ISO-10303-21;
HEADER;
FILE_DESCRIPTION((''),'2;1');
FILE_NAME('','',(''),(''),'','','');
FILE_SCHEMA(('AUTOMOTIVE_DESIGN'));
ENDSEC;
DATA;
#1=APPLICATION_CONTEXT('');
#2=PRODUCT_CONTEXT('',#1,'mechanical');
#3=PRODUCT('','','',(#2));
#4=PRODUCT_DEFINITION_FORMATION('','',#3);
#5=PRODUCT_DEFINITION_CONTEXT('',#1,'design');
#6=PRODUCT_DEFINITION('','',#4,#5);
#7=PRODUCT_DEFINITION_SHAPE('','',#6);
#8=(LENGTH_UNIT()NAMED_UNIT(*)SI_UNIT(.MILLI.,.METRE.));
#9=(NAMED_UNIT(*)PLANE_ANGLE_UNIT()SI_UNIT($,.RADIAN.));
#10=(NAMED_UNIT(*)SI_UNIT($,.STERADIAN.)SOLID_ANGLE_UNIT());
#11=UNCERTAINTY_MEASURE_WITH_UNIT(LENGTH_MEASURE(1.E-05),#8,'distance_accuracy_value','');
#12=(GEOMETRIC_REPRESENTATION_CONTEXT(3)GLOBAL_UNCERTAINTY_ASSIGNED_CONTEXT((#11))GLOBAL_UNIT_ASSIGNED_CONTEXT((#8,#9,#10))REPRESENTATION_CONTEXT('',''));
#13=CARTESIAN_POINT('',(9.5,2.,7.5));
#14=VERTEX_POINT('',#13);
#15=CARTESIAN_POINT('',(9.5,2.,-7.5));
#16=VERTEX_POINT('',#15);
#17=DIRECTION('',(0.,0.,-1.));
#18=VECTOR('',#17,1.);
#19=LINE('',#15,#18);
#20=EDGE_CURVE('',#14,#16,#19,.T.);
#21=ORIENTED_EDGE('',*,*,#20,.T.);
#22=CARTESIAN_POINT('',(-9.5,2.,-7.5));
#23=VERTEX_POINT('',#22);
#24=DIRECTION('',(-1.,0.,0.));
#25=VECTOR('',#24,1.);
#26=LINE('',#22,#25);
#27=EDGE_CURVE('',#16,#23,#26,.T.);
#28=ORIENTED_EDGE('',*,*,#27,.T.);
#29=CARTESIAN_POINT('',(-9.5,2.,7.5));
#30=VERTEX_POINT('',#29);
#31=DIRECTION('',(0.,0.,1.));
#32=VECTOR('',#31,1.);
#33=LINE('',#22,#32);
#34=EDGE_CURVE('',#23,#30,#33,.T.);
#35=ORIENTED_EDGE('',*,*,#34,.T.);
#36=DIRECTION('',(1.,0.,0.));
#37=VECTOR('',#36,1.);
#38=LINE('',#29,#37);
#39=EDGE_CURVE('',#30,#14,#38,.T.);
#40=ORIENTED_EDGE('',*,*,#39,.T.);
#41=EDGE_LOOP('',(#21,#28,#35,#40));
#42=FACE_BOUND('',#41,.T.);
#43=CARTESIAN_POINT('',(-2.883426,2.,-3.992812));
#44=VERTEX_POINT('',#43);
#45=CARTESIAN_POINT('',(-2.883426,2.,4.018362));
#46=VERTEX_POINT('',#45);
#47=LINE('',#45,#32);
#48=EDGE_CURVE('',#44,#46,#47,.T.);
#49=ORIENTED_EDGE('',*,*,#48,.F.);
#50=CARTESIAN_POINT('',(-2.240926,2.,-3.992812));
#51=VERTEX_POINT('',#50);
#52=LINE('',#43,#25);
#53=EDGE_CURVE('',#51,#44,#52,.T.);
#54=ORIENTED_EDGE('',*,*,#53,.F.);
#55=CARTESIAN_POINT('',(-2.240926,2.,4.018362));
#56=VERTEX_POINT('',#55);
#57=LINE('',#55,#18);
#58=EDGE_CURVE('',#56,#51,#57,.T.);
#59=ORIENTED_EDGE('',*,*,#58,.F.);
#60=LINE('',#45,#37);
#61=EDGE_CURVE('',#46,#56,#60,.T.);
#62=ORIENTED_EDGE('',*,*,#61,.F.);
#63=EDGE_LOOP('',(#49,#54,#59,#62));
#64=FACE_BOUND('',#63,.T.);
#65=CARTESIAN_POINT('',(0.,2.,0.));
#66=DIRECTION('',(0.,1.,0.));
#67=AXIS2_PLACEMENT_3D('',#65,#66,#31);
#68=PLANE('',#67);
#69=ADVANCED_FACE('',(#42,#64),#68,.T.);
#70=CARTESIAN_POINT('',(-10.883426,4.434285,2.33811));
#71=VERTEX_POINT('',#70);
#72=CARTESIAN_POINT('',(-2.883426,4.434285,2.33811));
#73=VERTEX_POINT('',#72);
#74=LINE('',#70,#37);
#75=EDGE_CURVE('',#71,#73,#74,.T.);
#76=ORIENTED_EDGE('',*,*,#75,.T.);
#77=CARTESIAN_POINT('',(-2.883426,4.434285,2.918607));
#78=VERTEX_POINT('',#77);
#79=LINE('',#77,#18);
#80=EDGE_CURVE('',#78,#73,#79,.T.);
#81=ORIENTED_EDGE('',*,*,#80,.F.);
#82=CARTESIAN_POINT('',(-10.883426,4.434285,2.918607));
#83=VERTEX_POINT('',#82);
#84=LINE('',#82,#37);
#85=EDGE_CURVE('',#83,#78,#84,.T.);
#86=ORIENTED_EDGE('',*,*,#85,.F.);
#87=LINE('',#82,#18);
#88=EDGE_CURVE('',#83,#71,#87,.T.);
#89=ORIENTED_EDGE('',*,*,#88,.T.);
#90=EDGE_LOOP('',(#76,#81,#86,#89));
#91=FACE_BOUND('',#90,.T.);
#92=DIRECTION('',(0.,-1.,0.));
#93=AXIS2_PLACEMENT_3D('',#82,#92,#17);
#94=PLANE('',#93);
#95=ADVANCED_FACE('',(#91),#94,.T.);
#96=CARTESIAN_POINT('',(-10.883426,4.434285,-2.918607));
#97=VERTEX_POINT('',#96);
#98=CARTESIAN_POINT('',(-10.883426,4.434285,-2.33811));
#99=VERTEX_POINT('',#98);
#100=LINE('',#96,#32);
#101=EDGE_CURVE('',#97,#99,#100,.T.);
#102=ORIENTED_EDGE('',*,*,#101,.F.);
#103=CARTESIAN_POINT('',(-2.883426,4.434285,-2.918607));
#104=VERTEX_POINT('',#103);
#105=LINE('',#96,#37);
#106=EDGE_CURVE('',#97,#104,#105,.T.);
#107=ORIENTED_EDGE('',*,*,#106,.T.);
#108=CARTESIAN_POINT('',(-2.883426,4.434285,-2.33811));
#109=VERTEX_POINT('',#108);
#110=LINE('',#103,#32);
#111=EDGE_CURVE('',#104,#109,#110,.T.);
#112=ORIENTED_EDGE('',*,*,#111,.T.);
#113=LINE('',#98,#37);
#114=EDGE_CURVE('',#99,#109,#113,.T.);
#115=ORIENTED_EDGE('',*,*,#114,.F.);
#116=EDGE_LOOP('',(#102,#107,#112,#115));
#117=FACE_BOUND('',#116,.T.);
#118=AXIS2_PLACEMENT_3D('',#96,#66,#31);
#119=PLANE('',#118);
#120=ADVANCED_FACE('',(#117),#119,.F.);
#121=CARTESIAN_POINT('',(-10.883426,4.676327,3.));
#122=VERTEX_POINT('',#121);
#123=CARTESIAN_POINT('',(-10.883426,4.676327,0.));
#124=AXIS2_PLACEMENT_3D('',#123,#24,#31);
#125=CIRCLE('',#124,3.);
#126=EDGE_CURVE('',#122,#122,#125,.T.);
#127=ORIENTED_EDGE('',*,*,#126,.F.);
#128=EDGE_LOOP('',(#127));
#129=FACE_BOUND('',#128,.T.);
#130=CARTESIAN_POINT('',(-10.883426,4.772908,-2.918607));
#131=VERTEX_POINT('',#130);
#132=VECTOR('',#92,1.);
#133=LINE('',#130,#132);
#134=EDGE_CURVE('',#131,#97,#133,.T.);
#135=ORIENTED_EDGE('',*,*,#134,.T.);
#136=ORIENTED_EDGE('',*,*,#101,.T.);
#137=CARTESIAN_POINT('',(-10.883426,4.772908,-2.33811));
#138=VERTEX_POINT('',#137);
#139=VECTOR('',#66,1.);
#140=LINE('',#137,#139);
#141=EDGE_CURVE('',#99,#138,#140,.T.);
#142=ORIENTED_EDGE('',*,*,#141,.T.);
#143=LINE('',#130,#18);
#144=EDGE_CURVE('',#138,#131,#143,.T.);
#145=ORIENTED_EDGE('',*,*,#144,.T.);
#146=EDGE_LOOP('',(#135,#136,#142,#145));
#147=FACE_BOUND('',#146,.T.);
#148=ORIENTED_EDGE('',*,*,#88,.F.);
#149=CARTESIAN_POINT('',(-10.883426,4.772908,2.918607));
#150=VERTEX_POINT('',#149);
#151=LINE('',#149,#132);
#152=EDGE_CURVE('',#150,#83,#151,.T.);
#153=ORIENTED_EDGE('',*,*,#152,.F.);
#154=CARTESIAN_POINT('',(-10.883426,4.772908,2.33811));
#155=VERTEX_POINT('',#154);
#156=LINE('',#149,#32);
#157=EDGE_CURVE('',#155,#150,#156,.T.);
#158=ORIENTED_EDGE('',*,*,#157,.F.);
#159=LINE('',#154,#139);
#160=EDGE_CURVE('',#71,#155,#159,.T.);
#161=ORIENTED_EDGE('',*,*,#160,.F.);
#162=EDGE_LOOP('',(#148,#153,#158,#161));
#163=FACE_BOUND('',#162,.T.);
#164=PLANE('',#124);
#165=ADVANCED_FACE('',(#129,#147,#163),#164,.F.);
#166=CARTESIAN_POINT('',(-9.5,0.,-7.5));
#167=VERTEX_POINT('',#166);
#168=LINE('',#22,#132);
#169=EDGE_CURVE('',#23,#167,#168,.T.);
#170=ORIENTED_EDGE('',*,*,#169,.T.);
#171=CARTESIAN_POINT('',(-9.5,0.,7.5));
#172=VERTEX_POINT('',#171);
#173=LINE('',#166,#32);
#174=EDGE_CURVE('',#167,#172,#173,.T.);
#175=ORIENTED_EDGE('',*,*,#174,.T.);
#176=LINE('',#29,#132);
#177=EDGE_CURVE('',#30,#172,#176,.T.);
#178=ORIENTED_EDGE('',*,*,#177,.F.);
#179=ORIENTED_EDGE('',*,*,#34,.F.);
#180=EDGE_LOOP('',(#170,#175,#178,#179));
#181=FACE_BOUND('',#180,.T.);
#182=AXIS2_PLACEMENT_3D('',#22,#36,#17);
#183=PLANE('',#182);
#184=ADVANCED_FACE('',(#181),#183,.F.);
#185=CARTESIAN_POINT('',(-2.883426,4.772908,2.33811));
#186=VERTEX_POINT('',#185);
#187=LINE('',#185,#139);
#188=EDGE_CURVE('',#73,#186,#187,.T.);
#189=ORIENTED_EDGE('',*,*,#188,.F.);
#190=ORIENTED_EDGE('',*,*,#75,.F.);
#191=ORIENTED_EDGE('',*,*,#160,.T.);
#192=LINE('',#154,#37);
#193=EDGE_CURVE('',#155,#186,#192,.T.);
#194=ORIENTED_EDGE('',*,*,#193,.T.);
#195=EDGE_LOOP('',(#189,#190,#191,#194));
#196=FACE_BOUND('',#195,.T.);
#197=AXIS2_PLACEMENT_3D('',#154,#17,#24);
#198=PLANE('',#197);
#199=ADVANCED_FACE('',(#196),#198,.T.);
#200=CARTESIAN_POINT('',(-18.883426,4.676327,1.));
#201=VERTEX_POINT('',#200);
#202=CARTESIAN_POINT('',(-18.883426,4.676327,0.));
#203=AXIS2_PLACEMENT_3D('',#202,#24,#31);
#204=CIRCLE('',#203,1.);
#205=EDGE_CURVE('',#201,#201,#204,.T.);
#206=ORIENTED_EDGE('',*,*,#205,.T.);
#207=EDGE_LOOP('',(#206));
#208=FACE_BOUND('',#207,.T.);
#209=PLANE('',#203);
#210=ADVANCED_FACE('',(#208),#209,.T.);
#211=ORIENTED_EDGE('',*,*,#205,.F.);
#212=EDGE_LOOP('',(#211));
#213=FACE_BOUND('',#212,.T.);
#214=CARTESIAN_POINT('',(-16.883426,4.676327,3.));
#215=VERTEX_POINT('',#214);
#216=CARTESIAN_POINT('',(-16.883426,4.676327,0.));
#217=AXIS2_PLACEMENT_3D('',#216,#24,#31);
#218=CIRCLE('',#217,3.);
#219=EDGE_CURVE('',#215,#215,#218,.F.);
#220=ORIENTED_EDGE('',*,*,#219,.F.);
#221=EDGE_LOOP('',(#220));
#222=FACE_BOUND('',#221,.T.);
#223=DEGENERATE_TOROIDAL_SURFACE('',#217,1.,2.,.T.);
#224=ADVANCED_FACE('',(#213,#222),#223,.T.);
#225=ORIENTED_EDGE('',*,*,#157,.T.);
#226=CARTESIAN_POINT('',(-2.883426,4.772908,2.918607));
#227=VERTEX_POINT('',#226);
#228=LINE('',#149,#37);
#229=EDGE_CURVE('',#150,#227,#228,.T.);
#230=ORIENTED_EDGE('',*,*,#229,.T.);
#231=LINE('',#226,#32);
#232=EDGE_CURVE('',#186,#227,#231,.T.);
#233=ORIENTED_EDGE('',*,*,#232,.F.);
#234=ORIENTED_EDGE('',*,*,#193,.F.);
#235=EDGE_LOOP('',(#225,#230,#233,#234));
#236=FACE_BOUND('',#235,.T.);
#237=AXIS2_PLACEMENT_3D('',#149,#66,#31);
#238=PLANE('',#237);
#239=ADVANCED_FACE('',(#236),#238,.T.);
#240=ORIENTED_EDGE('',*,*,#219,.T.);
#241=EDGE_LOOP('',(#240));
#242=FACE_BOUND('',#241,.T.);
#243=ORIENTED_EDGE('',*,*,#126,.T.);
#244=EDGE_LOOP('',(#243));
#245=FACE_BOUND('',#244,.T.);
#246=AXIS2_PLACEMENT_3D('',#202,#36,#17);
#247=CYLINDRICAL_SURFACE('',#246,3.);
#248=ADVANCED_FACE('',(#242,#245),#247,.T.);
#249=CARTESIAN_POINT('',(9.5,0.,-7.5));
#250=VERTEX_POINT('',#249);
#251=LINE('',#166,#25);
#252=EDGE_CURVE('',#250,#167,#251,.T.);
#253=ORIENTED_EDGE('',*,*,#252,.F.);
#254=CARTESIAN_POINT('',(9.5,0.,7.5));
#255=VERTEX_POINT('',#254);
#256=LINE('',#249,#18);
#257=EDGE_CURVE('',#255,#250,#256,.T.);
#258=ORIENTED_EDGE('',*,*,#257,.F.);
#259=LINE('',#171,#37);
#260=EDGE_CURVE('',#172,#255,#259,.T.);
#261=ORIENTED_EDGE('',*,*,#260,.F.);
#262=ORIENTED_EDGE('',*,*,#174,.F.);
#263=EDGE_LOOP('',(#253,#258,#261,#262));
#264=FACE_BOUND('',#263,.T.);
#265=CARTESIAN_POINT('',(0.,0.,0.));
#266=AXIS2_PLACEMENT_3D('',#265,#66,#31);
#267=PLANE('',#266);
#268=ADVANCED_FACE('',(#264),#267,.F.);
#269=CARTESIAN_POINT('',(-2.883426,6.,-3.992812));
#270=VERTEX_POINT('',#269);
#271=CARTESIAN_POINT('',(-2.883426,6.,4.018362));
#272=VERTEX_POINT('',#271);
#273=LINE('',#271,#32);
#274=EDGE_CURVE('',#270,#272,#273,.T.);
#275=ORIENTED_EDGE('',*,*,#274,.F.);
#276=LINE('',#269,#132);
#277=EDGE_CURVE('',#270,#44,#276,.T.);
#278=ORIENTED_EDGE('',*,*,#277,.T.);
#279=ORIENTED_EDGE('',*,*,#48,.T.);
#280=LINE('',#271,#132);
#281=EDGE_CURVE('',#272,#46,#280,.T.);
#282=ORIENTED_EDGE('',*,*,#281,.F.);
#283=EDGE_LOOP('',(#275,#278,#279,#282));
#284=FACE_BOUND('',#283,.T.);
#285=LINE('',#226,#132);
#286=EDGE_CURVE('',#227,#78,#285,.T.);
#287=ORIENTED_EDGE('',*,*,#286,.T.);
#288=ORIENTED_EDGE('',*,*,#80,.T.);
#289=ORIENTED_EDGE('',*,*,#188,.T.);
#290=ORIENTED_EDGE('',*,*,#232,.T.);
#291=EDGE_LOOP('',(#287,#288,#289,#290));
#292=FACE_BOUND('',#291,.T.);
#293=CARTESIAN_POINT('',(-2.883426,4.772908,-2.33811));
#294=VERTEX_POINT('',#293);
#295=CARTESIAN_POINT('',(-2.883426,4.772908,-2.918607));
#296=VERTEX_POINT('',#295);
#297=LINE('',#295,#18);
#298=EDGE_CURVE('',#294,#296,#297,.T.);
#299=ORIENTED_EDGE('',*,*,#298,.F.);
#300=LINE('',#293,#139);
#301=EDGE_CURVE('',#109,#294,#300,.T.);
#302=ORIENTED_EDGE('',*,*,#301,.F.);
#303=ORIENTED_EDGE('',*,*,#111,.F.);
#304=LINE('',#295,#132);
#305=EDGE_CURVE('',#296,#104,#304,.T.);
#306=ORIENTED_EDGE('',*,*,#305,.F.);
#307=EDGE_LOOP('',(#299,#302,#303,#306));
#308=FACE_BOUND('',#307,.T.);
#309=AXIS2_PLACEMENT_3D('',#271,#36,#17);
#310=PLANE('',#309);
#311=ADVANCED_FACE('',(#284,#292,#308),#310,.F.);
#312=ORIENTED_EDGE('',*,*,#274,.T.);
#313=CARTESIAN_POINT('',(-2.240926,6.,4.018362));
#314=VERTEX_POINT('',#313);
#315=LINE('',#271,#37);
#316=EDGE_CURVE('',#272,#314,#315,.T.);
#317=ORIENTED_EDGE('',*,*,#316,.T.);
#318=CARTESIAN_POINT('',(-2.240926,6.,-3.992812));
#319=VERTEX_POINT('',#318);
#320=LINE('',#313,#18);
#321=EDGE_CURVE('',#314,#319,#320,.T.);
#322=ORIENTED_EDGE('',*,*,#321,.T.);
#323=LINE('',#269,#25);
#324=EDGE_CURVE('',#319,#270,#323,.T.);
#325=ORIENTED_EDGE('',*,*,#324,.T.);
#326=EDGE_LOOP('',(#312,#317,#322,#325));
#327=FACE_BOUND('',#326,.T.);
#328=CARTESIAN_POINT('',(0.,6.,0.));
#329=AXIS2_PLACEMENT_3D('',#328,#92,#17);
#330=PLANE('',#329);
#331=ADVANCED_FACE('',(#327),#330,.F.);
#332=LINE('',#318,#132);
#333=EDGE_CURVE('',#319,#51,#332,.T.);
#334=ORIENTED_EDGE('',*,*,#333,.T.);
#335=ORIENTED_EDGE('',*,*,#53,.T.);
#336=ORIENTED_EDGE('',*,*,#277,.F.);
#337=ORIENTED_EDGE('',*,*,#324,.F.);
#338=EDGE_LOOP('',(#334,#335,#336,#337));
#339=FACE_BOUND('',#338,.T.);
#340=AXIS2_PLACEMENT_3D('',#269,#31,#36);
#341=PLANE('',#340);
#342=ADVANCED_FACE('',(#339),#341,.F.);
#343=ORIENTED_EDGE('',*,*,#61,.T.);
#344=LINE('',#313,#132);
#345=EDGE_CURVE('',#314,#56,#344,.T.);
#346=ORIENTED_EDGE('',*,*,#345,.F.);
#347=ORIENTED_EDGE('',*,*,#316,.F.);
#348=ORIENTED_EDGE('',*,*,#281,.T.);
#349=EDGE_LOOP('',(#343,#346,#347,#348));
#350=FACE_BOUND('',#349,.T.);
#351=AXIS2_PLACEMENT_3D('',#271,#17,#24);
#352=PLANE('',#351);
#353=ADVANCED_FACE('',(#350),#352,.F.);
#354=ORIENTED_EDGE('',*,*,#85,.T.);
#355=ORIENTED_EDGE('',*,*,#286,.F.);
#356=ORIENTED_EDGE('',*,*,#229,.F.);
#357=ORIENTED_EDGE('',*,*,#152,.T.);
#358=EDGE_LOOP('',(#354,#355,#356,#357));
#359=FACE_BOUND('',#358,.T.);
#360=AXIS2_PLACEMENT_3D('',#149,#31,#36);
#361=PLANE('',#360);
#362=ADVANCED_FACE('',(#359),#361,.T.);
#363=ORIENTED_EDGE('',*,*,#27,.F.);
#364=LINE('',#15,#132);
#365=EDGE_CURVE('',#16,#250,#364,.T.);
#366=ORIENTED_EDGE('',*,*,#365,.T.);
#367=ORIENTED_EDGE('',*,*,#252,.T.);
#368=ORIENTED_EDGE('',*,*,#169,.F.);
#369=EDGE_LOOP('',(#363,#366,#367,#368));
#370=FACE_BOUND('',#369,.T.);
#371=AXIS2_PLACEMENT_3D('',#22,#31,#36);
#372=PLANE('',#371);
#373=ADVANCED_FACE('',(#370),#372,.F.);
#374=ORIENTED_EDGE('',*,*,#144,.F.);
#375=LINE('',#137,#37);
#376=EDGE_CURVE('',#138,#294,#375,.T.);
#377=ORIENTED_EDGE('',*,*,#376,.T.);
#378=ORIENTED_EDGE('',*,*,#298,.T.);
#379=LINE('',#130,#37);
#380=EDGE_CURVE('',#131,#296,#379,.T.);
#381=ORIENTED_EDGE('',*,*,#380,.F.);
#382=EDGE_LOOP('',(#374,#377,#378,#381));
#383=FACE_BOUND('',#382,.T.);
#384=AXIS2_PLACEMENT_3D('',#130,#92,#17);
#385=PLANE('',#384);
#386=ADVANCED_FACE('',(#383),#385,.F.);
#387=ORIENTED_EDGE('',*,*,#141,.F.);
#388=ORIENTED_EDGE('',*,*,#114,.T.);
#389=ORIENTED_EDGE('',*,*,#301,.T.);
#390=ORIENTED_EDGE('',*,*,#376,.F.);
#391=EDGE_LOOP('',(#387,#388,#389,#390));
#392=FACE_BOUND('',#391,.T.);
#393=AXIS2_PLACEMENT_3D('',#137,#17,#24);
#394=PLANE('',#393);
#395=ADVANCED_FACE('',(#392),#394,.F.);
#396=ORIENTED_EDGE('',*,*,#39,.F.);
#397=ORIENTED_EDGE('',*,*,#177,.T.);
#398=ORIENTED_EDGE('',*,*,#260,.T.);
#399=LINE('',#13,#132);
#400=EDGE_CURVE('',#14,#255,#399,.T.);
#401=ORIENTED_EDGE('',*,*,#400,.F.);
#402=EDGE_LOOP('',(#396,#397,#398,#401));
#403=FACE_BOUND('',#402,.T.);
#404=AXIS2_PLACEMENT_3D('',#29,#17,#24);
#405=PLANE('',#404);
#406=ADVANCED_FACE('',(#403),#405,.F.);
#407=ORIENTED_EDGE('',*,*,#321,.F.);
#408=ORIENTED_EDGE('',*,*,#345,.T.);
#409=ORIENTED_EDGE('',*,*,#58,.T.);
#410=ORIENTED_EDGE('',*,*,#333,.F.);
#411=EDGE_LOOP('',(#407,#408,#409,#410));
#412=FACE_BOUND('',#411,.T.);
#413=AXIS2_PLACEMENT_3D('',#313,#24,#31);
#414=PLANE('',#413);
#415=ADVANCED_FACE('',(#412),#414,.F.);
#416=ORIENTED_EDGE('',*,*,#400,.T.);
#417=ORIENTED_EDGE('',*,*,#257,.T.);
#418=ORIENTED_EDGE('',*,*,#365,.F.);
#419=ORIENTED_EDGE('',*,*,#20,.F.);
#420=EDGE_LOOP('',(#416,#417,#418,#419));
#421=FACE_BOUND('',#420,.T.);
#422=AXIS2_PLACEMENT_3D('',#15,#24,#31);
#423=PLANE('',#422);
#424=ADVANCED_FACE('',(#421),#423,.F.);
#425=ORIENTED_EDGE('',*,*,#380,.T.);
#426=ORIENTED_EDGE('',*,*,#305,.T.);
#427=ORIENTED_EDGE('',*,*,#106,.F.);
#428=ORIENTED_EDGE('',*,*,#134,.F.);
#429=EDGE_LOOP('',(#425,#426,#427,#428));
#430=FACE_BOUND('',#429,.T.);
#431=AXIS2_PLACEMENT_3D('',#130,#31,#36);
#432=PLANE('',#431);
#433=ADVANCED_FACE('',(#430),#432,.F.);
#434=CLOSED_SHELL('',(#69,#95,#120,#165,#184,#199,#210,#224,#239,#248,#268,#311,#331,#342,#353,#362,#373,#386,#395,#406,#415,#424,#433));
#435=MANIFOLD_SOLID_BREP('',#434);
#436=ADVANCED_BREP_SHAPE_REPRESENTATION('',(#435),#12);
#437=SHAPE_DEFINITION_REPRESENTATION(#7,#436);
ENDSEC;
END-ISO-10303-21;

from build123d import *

# Parameters (mm, degrees)
ESQUISSE1_W        = 19
ESQUISSE1_H        = 15
BOSS_EXTRU_1_DEPTH = 2
ESQUISSE2_W        = 0.642500129
ESQUISSE2_H        = 8.011173479
BOSS_EXTRU_2_DEPTH = 4
ESQUISSE3_W        = 0.58049635
ESQUISSE3_H        = 0.338622871
BOSS_EXTRU_3_DEPTH = 8
ESQUISSE4_R        = 3
BOSS_EXTRU_4_DEPTH = 8
CONG_1_R           = 2


with BuildPart() as part:
    # Esquisse1 → Boss.-Extru.1 (new body)
    with BuildSketch(Plane(origin=(0, 0, 0), x_dir=(1, 0, 0), z_dir=(0, 1, 0))):
        Rectangle(ESQUISSE1_W, ESQUISSE1_H)
    extrude(amount=BOSS_EXTRU_1_DEPTH)

    # Esquisse2 → Boss.-Extru.2 (add)
    with BuildSketch(Plane(origin=(0, 2, 0), x_dir=(1, 0, 0), z_dir=(0, 1, 0))):
        with Locations((-2.562175711, -0.012775057)):
            Rectangle(ESQUISSE2_W, ESQUISSE2_H)
    extrude(amount=BOSS_EXTRU_2_DEPTH)

    # Esquisse3 → Boss.-Extru.3 (add)
    with BuildSketch(Plane.ZY.offset(2.883425775)):
        with Locations((-2.628358474, 4.603596233)):
            Rectangle(ESQUISSE3_W, ESQUISSE3_H)
    boss_extru_3 = extrude(amount=BOSS_EXTRU_3_DEPTH)

    # Symétrie1: Boss.-Extru.3 across plane
    add(boss_extru_3.mirror(Plane.XY))

    # Esquisse4 → Boss.-Extru.4 (add)
    with BuildSketch(Plane.ZY.offset(10.883425775)):
        with Locations((0, 4.67632737)):
            Circle(ESQUISSE4_R)
    extrude(amount=BOSS_EXTRU_4_DEPTH)

    # Congé1
    cong_1_edges = [part.edges().sort_by_distance(p)[0] for p in [
        (-18.883425775, 4.67632737, -3),
    ]]
    fillet(cong_1_edges, radius=CONG_1_R)


solid = part.part
